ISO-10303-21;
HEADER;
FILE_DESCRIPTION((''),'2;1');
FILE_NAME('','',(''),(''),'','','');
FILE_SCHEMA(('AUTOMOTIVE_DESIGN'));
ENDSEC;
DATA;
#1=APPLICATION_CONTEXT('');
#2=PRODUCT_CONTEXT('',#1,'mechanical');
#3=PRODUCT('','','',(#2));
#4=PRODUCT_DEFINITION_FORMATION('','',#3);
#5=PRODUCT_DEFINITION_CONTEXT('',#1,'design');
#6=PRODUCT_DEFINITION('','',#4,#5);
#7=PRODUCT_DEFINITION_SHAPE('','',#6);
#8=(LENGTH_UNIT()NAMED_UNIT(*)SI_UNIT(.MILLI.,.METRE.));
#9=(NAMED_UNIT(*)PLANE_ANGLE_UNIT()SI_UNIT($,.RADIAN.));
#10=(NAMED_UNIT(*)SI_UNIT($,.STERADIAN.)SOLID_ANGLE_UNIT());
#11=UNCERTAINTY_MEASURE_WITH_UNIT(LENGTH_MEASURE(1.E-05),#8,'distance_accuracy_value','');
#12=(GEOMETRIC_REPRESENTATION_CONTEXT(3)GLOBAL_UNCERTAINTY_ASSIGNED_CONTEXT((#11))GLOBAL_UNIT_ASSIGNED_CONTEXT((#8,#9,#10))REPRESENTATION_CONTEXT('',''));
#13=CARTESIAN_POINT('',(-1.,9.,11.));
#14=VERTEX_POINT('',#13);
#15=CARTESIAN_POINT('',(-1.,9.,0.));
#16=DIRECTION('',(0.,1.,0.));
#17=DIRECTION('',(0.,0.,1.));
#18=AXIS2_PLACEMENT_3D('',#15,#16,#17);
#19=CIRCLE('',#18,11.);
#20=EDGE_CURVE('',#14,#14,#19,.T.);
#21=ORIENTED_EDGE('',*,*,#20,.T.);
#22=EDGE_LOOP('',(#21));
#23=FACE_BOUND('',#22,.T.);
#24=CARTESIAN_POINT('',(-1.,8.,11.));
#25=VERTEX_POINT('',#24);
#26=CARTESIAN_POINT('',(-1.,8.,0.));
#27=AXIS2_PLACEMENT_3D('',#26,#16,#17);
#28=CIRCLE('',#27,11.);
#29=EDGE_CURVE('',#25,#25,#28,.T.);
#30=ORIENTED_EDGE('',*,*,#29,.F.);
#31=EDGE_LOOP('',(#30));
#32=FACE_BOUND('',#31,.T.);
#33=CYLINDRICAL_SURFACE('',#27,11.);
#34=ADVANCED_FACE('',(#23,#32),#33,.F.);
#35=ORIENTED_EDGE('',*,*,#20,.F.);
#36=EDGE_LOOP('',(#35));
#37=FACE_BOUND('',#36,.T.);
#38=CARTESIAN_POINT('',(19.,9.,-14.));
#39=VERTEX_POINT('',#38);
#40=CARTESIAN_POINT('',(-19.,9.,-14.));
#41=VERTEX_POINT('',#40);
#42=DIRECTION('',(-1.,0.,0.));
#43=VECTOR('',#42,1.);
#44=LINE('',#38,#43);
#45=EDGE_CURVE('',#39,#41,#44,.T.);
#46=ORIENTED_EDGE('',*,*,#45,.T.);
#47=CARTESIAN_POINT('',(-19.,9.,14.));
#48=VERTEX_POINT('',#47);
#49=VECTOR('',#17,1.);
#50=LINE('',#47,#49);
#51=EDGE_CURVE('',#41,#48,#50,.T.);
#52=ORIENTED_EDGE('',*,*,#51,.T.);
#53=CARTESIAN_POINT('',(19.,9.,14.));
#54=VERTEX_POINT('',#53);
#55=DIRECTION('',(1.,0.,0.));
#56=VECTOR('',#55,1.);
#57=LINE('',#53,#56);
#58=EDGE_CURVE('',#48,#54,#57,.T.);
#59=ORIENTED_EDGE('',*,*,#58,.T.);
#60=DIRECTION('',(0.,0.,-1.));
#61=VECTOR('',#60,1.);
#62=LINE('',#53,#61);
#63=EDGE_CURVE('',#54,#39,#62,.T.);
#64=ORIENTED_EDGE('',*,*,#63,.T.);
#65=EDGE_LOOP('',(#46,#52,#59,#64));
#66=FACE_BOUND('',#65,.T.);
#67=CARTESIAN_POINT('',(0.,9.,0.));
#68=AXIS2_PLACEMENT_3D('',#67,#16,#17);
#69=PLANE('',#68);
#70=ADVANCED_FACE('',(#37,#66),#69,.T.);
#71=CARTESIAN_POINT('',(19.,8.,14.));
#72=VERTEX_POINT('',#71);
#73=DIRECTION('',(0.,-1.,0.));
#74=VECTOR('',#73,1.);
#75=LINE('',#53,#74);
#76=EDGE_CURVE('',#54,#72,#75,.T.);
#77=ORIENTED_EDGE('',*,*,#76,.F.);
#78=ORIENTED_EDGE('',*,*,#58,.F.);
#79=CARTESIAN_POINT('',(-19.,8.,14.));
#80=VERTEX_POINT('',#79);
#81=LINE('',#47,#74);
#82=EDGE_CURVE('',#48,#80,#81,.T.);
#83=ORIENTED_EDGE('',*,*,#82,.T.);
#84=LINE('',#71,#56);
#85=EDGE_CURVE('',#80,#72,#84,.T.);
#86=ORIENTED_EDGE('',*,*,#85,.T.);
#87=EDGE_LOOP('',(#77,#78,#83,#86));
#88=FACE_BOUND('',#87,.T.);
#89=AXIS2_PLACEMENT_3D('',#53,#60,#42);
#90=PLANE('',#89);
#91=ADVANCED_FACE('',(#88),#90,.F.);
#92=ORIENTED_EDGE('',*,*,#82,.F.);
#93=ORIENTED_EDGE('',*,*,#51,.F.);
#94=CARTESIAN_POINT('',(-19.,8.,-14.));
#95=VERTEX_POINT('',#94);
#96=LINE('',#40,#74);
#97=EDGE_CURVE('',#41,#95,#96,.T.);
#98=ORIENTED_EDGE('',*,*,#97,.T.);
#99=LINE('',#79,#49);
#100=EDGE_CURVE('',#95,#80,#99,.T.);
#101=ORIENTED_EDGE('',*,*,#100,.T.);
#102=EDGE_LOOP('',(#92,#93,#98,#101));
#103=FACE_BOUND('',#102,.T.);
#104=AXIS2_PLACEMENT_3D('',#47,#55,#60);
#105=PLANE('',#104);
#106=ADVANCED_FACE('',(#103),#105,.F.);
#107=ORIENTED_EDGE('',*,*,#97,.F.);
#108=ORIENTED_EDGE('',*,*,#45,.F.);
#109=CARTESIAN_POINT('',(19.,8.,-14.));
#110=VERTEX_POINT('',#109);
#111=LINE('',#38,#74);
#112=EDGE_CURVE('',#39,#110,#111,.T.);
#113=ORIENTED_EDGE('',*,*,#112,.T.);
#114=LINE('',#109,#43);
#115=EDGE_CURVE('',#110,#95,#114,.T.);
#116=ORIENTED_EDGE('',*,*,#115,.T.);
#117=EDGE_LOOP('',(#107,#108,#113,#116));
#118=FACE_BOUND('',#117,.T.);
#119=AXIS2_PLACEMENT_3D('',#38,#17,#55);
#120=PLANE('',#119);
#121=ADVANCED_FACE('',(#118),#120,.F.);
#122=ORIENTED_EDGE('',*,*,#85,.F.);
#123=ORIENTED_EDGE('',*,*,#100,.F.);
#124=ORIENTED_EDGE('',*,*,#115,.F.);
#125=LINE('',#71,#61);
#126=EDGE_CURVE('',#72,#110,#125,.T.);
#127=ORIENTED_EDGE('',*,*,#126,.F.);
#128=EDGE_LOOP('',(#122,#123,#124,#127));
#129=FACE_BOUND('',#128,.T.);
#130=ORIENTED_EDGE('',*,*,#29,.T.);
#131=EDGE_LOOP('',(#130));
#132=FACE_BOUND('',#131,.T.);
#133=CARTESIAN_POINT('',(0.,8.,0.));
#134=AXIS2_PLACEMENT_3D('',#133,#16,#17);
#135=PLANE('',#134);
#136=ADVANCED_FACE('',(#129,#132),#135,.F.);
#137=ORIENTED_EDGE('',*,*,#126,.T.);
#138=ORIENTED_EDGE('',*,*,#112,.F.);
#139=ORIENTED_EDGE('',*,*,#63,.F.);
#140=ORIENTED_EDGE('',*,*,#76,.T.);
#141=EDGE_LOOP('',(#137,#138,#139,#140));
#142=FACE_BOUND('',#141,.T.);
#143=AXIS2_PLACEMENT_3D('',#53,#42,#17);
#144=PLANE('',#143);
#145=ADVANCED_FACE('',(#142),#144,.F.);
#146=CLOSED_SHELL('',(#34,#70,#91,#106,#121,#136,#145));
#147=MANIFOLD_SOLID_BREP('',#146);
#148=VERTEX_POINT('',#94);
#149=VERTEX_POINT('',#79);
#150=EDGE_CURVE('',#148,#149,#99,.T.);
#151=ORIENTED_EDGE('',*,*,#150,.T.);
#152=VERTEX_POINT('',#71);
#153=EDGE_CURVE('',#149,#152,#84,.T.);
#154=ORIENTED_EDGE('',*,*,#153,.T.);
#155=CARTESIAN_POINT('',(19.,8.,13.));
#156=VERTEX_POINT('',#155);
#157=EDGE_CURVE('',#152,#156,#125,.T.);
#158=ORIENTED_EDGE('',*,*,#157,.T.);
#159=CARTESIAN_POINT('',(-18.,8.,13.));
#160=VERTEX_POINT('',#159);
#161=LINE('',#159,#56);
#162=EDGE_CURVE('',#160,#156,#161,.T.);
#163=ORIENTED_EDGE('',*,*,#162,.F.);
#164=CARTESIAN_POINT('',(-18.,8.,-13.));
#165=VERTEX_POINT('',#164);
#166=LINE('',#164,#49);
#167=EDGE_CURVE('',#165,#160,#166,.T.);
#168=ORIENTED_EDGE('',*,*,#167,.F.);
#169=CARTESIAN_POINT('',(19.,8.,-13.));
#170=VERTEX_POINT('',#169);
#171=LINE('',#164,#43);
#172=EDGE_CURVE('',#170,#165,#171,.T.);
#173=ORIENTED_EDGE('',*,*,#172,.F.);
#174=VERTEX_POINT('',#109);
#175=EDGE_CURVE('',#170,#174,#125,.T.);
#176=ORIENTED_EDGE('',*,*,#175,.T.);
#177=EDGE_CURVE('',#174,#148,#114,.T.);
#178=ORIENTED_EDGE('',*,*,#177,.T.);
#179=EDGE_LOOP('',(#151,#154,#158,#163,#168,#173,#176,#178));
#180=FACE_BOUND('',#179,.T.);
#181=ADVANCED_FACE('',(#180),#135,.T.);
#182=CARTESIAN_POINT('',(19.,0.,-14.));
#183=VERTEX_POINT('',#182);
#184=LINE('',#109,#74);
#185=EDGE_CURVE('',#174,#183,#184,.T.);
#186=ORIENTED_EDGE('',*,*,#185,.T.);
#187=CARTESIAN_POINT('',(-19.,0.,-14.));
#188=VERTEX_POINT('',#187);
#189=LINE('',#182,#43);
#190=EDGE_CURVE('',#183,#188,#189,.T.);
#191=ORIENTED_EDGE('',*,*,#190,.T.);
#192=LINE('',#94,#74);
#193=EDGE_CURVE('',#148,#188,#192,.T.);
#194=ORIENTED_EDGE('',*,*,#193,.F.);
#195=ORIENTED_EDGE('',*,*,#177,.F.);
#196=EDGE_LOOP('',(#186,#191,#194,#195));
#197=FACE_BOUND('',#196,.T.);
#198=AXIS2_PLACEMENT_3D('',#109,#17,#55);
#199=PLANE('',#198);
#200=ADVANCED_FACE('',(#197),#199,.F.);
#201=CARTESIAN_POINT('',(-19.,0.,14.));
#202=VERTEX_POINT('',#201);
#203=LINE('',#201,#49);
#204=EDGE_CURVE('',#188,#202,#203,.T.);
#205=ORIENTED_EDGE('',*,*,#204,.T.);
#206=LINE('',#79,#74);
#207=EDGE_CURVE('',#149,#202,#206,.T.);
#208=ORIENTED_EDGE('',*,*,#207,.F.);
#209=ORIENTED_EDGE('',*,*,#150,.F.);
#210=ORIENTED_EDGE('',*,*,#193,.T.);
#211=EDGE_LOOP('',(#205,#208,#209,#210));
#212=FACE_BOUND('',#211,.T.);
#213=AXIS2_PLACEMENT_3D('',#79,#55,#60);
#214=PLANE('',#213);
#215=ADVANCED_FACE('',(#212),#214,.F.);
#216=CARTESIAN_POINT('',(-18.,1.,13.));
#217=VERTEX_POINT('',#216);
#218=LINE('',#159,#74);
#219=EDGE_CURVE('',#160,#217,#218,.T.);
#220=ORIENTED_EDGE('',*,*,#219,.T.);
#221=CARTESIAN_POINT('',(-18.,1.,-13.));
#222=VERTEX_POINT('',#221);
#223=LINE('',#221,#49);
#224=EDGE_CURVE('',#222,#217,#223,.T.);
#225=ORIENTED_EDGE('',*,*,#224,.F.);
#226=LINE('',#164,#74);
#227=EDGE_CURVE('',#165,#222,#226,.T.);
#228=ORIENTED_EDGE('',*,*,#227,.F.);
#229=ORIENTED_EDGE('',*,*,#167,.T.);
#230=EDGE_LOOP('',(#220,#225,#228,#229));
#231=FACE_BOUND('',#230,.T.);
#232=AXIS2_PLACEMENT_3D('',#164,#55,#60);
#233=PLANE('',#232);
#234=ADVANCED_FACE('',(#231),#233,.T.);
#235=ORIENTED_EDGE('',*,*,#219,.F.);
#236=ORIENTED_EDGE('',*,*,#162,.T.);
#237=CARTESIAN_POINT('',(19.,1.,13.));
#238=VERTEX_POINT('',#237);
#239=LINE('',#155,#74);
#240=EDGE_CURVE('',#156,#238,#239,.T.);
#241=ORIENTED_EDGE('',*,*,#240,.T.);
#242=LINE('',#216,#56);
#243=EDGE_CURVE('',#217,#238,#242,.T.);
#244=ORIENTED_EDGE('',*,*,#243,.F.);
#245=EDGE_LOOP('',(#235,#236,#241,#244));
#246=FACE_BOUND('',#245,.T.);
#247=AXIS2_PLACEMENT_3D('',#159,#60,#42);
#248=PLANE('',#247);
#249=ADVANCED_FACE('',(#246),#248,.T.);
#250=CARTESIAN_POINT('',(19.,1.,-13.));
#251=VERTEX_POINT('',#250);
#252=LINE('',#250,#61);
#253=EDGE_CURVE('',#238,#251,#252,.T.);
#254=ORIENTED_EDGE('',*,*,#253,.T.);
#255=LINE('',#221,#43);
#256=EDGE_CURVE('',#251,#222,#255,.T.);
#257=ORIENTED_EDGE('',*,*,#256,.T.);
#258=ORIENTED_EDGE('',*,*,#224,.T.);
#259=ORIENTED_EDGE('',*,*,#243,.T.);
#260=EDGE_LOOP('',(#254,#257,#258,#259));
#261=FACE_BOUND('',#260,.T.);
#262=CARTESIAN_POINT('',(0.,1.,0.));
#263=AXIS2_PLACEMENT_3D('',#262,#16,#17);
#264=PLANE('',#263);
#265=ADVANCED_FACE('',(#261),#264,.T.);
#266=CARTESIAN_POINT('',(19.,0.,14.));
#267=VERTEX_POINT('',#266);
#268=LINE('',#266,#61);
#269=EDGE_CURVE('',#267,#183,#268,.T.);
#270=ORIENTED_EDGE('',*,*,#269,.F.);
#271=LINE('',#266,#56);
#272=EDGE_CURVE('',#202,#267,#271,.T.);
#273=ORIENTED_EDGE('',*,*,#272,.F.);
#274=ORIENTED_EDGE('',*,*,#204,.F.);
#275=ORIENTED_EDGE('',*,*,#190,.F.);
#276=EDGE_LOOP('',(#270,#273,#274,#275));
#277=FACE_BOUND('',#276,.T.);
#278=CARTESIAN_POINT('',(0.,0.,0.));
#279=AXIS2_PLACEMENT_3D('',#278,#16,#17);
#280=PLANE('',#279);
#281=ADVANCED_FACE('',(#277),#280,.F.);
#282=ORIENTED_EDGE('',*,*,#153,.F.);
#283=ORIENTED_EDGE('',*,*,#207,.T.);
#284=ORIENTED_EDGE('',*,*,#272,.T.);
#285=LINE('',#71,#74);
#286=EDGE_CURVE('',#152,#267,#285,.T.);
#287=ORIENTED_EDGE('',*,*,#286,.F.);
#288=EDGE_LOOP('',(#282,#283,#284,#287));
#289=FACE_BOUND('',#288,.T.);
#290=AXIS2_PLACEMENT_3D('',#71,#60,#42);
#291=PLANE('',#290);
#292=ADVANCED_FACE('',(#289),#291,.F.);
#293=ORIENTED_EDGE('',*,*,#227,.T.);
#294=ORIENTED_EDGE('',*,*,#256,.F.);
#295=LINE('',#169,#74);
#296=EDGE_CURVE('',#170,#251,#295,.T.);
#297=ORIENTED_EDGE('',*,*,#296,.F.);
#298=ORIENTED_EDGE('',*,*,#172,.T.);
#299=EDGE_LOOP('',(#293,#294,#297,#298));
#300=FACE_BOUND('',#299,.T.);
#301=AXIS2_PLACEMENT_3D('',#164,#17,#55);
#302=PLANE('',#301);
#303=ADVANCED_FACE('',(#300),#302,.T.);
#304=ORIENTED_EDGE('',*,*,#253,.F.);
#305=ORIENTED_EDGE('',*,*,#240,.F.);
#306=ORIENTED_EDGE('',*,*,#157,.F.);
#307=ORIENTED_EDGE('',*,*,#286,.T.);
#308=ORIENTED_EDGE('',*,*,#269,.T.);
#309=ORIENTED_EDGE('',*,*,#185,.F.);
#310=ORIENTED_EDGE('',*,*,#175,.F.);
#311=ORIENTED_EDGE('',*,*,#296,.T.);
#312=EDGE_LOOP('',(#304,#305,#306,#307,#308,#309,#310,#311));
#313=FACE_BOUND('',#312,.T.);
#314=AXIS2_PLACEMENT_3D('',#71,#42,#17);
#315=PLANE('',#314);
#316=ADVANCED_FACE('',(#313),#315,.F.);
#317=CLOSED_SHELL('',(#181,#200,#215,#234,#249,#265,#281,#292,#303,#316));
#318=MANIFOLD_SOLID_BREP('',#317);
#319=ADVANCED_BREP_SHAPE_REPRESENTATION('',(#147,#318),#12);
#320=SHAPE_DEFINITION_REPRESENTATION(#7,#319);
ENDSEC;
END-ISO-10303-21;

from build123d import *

# Parameters (mm, degrees)
SKETCH_1_W          = 38
SKETCH_1_H          = 28
EXTRUDE_1_DEPTH     = 8
CUT_EXTRUDE_START   = 1
SKETCH_2_W          = 37
SKETCH_2_H          = 26
CUT_EXTRUDE_1_DEPTH = 7
EXTRUDE_START       = 8
SKETCH_4_W          = 38
SKETCH_4_H          = 28
EXTRUDE_3_DEPTH     = 1
CUT_EXTRUDE_START_2 = 9
SKETCH_5_R          = 11
CUT_EXTRUDE_2_DEPTH = 1


with BuildPart() as part:
    # 스케치1 → 보스-돌출1 (new body)
    with BuildSketch(Plane(origin=(0, 0, 0), x_dir=(1, 0, 0), z_dir=(0, 1, 0))):
        Rectangle(SKETCH_1_W, SKETCH_1_H)
    extrude(amount=EXTRUDE_1_DEPTH)

    # 스케치2 → 컷-돌출1 (cut)
    with BuildSketch(Plane(origin=(0, 0, 0), x_dir=(1, 0, 0), z_dir=(0, 1, 0)).offset(CUT_EXTRUDE_START)):
        with Locations((0.5, 0)):
            Rectangle(SKETCH_2_W, SKETCH_2_H)
    extrude(amount=CUT_EXTRUDE_1_DEPTH, mode=Mode.SUBTRACT)


with BuildPart() as body_2:
    # 스케치4 → 보스-돌출3 (new body)
    with BuildSketch(Plane(origin=(0, 0, 0), x_dir=(1, 0, 0), z_dir=(0, 1, 0)).offset(EXTRUDE_START)):
        Rectangle(SKETCH_4_W, SKETCH_4_H)
    extrude(amount=EXTRUDE_3_DEPTH)

    # 스케치5 → 컷-돌출2 (cut)
    with BuildSketch(Plane(origin=(0, 0, 0), x_dir=(1, 0, 0), z_dir=(0, 1, 0)).offset(CUT_EXTRUDE_START_2)):
        with Locations(Location((-1, 0, 0), (0, 0, 270))):
            Circle(SKETCH_5_R)
    extrude(amount=-CUT_EXTRUDE_2_DEPTH, mode=Mode.SUBTRACT)


solid = Compound([part.part, body_2.part])
